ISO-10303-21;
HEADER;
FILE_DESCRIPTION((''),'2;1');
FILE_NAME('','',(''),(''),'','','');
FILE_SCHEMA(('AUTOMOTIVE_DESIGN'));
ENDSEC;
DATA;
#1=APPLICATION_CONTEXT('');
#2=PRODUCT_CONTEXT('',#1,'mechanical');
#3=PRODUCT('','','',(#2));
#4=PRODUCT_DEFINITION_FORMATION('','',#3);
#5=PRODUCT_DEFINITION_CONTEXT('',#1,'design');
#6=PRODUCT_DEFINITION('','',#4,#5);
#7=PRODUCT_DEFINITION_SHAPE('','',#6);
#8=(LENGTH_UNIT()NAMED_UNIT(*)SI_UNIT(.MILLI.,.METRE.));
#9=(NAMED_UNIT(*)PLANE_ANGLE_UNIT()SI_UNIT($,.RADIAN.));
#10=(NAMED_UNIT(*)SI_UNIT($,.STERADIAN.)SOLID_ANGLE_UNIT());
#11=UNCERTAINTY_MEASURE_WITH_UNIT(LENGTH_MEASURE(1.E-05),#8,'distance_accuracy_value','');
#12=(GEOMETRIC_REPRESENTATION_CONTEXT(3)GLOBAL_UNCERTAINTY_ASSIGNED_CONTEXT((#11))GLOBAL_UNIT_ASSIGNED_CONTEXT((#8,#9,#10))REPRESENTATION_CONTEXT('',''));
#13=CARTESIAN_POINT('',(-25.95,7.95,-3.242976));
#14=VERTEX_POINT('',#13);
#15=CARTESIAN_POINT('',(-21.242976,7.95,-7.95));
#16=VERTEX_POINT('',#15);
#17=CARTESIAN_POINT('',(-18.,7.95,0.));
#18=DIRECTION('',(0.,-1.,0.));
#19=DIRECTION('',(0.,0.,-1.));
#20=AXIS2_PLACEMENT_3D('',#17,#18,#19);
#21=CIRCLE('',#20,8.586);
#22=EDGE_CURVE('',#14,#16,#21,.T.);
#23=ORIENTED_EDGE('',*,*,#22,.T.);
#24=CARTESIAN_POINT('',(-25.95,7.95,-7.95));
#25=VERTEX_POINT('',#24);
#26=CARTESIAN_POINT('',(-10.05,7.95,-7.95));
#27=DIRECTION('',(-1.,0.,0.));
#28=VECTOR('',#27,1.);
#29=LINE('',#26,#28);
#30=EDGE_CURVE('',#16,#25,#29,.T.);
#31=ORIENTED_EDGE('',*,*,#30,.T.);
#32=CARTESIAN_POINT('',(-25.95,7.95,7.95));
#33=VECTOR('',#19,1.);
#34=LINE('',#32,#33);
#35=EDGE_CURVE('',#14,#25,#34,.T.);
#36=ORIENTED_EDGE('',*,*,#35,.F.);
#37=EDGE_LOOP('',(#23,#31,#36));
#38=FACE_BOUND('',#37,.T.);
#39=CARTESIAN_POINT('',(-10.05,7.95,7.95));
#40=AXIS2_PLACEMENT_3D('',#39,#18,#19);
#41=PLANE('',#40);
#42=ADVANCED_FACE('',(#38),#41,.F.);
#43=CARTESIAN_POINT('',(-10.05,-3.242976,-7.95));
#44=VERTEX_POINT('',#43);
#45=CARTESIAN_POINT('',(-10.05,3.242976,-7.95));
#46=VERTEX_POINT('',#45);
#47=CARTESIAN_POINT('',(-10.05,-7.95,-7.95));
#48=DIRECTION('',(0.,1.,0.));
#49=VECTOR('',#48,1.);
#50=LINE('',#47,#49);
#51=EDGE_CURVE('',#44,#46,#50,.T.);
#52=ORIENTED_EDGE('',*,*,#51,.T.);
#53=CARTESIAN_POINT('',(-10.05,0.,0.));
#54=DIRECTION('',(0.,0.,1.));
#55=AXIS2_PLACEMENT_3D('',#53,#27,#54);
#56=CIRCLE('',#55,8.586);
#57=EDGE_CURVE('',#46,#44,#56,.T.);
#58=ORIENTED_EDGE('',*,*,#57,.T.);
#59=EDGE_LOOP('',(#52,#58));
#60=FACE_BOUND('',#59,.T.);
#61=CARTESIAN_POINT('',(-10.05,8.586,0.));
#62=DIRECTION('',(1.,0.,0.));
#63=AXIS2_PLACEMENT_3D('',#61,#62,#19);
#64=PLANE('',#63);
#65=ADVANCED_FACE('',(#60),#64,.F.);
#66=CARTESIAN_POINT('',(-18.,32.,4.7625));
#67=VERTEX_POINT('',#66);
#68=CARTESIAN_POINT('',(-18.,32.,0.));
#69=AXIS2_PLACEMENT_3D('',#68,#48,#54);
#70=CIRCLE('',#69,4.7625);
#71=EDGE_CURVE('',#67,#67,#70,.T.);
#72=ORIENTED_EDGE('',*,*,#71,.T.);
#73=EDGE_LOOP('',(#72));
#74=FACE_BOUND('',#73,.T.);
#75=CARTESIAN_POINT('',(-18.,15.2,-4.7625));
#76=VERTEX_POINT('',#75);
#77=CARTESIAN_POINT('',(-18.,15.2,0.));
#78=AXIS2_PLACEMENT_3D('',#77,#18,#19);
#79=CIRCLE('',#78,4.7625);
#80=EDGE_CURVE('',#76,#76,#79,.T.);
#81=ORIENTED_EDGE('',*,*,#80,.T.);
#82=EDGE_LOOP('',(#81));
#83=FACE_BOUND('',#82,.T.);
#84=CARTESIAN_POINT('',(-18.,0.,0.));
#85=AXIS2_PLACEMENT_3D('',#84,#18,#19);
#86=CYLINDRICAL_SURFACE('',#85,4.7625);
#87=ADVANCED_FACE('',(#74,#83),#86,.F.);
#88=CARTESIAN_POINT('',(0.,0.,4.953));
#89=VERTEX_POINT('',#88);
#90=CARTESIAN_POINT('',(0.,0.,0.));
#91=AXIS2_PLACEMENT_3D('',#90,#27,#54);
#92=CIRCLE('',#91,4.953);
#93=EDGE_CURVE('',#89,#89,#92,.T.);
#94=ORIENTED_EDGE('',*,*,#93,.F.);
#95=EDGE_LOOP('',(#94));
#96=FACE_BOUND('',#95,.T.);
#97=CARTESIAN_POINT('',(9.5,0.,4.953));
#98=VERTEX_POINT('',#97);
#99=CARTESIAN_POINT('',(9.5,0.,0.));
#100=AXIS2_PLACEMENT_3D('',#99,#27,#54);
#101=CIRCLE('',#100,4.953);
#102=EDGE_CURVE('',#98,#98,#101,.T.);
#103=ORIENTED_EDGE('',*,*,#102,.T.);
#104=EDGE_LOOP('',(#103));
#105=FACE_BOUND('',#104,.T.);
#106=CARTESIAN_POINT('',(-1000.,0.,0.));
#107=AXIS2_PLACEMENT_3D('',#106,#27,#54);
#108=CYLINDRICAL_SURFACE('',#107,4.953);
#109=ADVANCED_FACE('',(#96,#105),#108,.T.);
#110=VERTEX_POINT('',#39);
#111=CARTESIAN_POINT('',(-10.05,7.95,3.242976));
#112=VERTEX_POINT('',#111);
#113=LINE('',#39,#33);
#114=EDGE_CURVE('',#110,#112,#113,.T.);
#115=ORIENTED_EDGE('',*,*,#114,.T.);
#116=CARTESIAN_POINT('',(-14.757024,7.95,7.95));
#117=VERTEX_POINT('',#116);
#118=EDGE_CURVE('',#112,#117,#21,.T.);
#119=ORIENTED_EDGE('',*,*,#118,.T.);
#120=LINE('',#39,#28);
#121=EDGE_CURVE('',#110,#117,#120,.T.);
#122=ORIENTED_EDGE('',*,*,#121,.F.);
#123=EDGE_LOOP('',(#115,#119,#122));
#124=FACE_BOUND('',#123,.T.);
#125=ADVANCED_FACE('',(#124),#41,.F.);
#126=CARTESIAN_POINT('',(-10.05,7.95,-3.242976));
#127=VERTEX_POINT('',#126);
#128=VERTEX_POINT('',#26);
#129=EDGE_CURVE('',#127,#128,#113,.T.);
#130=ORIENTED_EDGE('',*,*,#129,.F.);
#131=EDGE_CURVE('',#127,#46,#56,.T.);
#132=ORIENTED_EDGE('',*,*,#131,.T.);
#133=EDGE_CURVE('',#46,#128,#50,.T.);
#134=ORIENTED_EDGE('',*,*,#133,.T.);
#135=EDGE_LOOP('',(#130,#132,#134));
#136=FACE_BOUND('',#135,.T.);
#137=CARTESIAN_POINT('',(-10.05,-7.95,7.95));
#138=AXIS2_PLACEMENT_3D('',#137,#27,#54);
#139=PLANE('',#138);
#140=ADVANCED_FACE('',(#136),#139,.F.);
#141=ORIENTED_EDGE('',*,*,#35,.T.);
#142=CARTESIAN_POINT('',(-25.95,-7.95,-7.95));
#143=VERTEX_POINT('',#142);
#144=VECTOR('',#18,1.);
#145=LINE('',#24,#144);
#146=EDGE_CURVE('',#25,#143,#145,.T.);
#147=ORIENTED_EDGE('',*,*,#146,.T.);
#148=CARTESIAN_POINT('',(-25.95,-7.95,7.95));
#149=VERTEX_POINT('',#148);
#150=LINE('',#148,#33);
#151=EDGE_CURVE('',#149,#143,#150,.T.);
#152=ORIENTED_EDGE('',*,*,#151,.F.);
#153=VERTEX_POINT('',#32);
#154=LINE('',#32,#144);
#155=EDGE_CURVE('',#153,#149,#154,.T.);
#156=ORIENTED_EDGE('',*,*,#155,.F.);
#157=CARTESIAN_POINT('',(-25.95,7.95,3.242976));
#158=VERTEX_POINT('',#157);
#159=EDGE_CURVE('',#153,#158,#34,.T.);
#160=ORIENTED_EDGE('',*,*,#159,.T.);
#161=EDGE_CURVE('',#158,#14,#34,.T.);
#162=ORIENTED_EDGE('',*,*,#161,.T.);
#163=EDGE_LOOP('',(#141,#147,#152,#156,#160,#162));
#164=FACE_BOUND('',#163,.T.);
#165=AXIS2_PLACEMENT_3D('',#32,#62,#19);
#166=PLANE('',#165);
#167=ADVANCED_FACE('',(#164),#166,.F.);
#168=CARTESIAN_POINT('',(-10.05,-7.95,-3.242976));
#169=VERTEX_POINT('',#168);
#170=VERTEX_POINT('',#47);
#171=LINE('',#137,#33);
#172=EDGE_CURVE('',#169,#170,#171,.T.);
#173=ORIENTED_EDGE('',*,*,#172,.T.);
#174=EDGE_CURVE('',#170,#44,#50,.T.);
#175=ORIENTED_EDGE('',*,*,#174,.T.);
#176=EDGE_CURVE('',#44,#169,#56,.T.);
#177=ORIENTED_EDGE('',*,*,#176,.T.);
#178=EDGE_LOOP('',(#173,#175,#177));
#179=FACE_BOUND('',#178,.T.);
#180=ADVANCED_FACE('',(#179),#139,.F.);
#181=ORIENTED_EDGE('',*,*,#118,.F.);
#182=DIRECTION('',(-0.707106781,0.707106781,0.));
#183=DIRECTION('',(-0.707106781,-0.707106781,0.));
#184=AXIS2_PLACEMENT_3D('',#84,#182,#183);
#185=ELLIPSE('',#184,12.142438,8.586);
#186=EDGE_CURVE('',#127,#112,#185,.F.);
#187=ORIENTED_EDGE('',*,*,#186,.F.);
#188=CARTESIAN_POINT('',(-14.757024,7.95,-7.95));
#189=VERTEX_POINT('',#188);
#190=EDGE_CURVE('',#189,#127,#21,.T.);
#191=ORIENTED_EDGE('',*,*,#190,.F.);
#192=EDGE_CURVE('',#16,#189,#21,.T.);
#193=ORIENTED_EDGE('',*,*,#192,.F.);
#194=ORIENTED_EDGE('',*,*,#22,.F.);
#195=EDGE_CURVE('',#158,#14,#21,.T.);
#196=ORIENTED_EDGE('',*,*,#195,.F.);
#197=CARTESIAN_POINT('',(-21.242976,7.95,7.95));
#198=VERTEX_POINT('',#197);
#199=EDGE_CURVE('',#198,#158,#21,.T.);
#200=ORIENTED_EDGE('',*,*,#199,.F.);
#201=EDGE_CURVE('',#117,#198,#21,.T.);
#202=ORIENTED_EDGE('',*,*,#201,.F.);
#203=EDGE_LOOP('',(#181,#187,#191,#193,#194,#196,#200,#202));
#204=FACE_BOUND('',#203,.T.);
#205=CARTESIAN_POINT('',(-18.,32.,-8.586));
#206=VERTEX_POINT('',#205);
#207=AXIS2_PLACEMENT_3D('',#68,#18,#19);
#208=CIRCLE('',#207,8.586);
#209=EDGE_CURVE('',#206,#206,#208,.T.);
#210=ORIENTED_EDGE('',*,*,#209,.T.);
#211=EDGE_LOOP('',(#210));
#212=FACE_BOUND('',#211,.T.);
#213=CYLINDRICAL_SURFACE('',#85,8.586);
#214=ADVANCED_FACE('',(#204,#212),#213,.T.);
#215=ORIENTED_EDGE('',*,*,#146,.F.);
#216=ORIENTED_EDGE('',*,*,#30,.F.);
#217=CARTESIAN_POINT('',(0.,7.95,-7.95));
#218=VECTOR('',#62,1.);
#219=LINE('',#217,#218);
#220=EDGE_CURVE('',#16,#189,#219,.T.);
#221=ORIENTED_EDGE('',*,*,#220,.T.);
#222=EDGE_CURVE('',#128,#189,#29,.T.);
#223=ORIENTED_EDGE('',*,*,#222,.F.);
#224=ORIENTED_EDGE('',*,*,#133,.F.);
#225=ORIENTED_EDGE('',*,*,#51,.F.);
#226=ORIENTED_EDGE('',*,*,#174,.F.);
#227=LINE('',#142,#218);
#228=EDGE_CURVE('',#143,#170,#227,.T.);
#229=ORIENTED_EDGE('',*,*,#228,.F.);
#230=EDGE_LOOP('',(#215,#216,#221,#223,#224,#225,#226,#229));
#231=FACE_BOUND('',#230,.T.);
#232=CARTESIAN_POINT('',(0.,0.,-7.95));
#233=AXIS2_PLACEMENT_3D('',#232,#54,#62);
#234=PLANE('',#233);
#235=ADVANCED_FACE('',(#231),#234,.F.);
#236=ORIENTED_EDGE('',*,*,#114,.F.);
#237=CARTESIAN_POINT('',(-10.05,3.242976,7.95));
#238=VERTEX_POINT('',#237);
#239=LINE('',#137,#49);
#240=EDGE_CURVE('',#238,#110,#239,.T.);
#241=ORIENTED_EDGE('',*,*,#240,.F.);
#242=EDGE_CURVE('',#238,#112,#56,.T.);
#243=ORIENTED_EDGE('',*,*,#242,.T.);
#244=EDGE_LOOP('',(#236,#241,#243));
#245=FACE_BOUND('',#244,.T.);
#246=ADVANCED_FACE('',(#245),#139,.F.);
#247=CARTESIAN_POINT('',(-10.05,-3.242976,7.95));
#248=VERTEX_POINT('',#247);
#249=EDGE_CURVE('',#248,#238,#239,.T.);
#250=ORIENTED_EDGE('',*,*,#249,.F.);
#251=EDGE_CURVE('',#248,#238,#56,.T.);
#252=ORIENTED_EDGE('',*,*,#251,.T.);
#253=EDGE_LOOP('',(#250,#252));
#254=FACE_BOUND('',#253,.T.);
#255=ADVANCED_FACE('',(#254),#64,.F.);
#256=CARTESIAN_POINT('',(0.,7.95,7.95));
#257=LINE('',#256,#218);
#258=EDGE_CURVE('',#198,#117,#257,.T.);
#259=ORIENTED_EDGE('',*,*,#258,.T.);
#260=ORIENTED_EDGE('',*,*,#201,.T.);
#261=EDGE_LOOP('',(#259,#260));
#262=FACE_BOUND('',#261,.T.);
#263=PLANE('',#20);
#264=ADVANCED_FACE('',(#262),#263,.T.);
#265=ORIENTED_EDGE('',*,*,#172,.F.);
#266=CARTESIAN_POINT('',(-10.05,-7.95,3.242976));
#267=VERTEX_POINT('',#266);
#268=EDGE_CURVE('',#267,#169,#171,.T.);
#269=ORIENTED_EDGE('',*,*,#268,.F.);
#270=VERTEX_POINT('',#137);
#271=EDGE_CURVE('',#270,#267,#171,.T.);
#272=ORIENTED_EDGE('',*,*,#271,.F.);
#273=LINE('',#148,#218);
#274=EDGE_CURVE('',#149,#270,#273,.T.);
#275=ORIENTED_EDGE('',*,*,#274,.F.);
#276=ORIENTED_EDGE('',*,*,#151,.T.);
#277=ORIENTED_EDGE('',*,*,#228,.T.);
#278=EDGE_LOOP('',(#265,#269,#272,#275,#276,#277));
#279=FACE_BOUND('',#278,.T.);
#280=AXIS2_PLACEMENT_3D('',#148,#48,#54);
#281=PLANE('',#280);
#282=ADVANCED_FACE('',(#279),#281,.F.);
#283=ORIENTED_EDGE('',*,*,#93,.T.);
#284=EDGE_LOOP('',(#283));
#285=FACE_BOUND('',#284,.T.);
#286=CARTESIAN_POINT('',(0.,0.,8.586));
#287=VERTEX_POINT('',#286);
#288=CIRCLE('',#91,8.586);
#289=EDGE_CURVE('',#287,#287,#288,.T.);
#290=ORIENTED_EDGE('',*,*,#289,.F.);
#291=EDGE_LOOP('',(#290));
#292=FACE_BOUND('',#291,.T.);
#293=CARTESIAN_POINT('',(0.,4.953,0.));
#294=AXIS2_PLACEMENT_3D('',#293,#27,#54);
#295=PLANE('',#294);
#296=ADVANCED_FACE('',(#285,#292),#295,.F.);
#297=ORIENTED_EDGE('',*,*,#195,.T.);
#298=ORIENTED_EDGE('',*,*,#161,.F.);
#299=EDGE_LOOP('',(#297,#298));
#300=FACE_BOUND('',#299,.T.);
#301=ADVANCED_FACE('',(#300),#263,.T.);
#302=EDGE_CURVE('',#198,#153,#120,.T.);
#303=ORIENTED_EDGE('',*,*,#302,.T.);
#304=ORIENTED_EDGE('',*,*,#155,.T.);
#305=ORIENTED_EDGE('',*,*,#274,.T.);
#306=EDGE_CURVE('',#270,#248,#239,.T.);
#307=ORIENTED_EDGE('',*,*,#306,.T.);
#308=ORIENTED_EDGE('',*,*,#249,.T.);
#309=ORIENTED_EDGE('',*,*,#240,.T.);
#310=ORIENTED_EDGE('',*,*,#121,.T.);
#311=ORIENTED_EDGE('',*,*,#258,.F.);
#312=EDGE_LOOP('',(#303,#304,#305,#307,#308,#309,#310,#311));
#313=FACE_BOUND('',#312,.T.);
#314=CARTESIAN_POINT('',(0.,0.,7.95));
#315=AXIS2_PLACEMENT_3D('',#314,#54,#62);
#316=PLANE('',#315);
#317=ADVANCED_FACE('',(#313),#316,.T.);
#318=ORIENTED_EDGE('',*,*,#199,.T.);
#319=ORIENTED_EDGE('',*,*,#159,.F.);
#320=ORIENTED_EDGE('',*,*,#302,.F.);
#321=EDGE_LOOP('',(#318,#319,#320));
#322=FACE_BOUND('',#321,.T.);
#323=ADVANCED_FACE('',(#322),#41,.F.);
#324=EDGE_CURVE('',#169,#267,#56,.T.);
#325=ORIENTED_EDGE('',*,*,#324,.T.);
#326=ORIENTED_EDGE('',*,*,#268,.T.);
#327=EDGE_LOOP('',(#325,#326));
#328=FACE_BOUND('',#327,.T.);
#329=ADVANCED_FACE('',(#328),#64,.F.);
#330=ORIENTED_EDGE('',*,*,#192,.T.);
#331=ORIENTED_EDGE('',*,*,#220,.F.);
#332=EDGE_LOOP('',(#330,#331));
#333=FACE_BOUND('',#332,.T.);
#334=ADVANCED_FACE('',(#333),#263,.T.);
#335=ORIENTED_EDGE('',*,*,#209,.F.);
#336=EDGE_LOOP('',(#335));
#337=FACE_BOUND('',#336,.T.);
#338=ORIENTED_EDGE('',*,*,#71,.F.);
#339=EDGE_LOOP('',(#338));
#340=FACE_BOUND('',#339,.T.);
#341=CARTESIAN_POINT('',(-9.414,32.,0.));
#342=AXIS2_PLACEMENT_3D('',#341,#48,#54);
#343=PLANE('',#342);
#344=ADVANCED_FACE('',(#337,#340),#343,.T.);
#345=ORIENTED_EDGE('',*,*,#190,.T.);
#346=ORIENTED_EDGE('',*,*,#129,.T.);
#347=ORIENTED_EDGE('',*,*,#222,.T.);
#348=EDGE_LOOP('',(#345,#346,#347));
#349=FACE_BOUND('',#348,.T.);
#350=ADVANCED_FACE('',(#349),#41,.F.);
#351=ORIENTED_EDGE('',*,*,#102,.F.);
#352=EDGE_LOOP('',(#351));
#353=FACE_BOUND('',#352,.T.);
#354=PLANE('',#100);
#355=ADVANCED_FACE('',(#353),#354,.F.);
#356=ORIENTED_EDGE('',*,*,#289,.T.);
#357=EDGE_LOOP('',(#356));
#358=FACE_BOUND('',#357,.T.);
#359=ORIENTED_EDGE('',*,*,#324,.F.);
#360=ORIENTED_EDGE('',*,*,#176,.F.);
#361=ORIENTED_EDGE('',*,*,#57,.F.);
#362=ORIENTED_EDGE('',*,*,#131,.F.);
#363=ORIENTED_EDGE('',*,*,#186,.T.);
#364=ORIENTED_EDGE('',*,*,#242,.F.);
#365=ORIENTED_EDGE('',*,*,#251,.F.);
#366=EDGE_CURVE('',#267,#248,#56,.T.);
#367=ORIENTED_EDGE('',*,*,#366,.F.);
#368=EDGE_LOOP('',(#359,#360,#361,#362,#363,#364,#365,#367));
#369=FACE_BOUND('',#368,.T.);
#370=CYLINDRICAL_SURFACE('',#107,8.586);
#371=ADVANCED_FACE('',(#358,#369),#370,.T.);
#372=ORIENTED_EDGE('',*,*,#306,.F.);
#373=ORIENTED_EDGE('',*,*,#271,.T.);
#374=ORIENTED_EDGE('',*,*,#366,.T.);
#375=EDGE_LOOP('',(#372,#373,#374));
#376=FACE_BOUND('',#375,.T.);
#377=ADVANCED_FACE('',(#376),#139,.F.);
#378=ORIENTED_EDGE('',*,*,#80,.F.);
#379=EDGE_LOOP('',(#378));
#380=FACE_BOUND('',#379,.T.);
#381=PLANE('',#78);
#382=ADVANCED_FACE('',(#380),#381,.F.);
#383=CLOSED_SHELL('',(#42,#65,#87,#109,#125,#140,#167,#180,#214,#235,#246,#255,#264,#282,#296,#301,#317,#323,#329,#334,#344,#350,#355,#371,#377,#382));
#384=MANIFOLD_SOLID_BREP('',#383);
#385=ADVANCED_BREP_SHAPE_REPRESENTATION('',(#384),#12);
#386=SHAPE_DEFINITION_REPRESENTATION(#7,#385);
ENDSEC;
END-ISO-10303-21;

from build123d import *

# Parameters (mm, degrees)
BLOCK_SKETCH_W  = 15.9
BLOCK_SKETCH_H  = 15.9
BLOCK_DEPTH     = 7.95
ARM_SKETCH_W    = 8.586
ARM_SKETCH_H    = 24.05
SOCKET_SKETCH_W = 4.7625
SOCKET_SKETCH_H = 17.8


with BuildPart() as part:
    # Block Sketch → Block (new, symmetric)
    with BuildSketch(Plane.XY):
        with Locations((-18, 0)):
            Rectangle(BLOCK_SKETCH_W, BLOCK_SKETCH_H)
    extrude(amount=BLOCK_DEPTH, both=True)

    # Neck and Stud Sketch → Neck and Stud (revolve)
    with BuildSketch(Plane.XY):
        Polygon((9.5, 0), (9.5, 4.953), (0, 4.953), (0, 8.586), (-10.05, 8.586), (-10.05, 0), align=None)
    revolve(axis=Axis((-1000, 0, 0), (1, 0, 0)))

    # Arm Sketch → Arm (revolve)
    with BuildSketch(Plane.XY):
        with Locations((-13.707, 19.975)):
            Rectangle(ARM_SKETCH_W, ARM_SKETCH_H)
    revolve(axis=Axis((-18, 0, 0), (0, 1, 0)))

    # Socket Sketch → Socket (revolve, cut)
    with BuildSketch(Plane.XY):
        with Locations((-15.61875, 24.1)):
            Rectangle(SOCKET_SKETCH_W, SOCKET_SKETCH_H)
    revolve(axis=Axis((-18, 0, 0), (0, 1, 0)), mode=Mode.SUBTRACT)


solid = part.part
